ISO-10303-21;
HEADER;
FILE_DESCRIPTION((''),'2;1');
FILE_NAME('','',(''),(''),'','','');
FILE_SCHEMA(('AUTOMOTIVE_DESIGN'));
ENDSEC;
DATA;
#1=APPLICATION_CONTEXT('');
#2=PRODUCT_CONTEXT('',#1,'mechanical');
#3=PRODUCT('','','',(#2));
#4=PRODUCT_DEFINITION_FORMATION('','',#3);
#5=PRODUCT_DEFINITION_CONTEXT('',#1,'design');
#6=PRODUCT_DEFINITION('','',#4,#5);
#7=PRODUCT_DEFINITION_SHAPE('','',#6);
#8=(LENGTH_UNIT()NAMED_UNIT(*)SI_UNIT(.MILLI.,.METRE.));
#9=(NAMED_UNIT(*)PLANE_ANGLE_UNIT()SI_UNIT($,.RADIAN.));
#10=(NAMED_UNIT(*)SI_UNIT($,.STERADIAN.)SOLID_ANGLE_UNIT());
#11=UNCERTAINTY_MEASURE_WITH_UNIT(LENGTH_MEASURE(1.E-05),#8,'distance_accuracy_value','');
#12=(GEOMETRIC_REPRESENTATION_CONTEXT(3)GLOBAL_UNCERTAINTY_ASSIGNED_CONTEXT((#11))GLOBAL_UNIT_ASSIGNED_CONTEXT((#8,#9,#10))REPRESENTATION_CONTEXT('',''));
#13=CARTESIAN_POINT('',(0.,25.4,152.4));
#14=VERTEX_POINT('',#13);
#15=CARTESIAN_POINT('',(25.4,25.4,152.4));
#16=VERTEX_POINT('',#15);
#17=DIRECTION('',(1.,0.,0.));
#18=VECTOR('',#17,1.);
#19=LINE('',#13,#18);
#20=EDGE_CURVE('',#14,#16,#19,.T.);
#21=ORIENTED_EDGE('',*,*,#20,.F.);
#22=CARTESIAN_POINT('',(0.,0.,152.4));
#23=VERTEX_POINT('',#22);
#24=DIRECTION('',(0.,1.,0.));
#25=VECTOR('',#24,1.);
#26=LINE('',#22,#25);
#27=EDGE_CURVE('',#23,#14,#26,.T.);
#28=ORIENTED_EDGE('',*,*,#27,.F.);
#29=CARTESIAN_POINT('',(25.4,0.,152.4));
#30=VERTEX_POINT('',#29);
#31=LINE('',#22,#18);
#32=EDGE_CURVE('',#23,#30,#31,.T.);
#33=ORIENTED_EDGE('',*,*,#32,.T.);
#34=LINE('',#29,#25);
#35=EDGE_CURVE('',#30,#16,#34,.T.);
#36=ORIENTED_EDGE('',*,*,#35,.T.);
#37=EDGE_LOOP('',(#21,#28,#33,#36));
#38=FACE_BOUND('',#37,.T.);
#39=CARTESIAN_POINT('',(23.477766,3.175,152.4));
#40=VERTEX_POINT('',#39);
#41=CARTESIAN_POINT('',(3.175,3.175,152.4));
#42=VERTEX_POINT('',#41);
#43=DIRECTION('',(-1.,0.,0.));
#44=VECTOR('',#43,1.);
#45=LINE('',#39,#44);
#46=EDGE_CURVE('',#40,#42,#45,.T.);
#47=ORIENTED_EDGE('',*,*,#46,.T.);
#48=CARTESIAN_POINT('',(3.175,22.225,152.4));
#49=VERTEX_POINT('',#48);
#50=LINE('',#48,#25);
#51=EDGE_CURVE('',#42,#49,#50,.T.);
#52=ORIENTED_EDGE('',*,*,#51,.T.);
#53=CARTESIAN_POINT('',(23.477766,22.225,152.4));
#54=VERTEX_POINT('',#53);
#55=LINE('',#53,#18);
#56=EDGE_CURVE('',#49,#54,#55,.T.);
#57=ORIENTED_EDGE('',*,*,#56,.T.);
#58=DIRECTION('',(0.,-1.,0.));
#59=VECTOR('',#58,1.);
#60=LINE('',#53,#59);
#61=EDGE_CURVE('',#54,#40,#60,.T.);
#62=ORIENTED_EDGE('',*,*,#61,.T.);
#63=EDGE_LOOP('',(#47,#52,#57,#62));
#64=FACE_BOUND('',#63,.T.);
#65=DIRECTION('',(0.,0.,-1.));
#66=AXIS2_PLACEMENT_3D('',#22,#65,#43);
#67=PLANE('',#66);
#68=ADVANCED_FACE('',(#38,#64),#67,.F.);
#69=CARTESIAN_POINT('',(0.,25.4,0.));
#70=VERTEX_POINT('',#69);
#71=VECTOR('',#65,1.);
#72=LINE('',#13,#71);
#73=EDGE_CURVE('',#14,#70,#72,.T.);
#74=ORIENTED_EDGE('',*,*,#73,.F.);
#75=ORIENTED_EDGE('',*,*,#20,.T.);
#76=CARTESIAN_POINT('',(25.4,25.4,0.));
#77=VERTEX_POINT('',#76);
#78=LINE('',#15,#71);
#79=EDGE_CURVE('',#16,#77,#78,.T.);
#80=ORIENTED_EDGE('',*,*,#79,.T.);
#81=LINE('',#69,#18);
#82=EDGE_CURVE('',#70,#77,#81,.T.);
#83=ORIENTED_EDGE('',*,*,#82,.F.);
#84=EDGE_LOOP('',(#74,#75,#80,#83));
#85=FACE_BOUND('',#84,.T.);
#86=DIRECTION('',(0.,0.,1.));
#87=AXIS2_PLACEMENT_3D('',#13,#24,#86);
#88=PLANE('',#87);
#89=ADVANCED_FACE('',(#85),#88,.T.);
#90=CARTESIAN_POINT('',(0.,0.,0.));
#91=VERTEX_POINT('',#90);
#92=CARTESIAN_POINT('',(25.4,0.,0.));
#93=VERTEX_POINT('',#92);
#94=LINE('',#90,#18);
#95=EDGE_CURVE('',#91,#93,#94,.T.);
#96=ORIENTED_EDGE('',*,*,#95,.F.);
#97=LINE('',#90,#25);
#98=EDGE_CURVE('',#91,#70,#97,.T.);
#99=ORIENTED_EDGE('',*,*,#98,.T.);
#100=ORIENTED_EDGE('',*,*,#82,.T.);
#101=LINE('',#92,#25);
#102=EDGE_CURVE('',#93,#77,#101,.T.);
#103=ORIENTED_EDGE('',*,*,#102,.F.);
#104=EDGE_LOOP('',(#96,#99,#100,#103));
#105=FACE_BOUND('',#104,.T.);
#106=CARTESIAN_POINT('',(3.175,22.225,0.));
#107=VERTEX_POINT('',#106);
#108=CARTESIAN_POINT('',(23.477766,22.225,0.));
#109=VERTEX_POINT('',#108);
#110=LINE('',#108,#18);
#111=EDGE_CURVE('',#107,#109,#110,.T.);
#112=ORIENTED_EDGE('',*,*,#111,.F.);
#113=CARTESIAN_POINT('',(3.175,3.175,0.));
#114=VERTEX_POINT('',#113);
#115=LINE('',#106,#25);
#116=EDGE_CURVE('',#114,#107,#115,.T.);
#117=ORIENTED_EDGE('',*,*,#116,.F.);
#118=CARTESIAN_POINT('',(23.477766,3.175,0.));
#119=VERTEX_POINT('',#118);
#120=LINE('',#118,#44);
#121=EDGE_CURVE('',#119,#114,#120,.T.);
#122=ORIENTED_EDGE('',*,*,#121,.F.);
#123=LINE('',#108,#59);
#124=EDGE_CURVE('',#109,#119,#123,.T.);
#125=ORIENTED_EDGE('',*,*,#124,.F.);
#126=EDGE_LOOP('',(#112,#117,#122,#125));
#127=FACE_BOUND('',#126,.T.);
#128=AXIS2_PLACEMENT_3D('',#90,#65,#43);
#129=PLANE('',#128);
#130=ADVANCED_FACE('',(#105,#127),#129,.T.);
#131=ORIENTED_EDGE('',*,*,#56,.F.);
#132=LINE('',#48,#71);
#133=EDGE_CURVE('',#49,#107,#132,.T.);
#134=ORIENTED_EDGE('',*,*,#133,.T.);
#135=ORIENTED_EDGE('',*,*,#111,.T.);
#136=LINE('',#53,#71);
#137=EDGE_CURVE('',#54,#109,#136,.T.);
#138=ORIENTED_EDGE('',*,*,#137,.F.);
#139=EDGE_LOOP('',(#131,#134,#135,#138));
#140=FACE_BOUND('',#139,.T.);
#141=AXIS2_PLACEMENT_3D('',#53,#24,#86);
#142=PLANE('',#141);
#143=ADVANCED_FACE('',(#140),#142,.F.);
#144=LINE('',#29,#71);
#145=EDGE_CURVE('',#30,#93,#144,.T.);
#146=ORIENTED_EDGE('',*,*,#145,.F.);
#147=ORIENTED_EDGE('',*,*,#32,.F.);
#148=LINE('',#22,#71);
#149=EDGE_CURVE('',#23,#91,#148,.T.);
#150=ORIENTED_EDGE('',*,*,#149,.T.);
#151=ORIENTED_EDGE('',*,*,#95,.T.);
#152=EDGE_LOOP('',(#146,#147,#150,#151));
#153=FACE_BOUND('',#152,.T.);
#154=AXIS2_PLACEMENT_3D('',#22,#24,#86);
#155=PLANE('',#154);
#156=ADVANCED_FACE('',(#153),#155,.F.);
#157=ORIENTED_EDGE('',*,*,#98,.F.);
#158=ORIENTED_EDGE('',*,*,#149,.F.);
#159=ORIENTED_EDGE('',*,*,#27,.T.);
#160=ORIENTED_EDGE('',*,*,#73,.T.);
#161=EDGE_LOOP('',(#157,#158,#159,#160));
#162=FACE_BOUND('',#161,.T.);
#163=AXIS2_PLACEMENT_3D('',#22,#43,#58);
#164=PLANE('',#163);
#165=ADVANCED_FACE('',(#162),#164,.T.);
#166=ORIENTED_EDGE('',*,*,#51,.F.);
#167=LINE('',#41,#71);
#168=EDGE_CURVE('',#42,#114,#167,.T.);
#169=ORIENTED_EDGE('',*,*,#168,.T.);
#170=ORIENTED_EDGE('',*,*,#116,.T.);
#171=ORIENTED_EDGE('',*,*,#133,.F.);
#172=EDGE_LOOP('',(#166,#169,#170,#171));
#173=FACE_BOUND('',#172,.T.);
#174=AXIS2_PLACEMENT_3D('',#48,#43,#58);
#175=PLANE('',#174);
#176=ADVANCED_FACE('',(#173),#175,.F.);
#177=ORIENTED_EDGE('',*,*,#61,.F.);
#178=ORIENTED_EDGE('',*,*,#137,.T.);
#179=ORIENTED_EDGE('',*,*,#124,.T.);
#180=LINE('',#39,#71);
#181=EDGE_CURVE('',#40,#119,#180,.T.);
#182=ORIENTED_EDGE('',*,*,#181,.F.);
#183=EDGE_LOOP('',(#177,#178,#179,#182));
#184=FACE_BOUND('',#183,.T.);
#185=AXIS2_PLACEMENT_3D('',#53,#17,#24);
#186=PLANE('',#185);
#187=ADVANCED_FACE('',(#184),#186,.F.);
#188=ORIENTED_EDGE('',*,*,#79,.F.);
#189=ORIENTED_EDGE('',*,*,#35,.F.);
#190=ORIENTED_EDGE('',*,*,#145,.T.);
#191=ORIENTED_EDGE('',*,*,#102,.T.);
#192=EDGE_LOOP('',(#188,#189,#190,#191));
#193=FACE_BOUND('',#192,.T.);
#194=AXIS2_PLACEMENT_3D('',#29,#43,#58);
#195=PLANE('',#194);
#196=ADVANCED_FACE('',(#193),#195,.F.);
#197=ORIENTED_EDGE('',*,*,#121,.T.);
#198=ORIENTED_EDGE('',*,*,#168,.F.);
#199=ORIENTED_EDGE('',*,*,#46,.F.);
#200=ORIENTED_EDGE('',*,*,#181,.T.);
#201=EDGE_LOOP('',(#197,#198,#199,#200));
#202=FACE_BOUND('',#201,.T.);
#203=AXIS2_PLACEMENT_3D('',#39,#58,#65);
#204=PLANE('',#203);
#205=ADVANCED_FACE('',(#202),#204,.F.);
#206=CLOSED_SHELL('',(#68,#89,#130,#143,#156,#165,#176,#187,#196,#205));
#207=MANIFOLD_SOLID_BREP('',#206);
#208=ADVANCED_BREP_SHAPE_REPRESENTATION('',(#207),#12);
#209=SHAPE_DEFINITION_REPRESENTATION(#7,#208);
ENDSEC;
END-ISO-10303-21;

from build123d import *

# Parameters (mm, degrees)
SKETCH1_W           = 25.4
SKETCH1_H           = 25.4
BOSS_EXTRUDE2_DEPTH = 152.4
SKETCH2_W           = 20.302766191
SKETCH2_H           = 19.05
CUT_EXTRUDE1_DEPTH  = 157.576115675


with BuildPart() as part:
    # Sketch1 → Boss-Extrude2 (new body)
    with BuildSketch(Plane.XY):
        with Locations((12.7, 12.7)):
            Rectangle(SKETCH1_W, SKETCH1_H)
    extrude(amount=BOSS_EXTRUDE2_DEPTH)

    # Sketch2 → Cut-Extrude1 (cut, through all)
    with BuildSketch(Plane(origin=(0, 0, 0), x_dir=(-1, 0, 0), z_dir=(0, 0, -1))):
        with Locations((-13.326383096, 12.7)):
            Rectangle(SKETCH2_W, SKETCH2_H)
    extrude(amount=-CUT_EXTRUDE1_DEPTH, mode=Mode.SUBTRACT)


solid = part.part
